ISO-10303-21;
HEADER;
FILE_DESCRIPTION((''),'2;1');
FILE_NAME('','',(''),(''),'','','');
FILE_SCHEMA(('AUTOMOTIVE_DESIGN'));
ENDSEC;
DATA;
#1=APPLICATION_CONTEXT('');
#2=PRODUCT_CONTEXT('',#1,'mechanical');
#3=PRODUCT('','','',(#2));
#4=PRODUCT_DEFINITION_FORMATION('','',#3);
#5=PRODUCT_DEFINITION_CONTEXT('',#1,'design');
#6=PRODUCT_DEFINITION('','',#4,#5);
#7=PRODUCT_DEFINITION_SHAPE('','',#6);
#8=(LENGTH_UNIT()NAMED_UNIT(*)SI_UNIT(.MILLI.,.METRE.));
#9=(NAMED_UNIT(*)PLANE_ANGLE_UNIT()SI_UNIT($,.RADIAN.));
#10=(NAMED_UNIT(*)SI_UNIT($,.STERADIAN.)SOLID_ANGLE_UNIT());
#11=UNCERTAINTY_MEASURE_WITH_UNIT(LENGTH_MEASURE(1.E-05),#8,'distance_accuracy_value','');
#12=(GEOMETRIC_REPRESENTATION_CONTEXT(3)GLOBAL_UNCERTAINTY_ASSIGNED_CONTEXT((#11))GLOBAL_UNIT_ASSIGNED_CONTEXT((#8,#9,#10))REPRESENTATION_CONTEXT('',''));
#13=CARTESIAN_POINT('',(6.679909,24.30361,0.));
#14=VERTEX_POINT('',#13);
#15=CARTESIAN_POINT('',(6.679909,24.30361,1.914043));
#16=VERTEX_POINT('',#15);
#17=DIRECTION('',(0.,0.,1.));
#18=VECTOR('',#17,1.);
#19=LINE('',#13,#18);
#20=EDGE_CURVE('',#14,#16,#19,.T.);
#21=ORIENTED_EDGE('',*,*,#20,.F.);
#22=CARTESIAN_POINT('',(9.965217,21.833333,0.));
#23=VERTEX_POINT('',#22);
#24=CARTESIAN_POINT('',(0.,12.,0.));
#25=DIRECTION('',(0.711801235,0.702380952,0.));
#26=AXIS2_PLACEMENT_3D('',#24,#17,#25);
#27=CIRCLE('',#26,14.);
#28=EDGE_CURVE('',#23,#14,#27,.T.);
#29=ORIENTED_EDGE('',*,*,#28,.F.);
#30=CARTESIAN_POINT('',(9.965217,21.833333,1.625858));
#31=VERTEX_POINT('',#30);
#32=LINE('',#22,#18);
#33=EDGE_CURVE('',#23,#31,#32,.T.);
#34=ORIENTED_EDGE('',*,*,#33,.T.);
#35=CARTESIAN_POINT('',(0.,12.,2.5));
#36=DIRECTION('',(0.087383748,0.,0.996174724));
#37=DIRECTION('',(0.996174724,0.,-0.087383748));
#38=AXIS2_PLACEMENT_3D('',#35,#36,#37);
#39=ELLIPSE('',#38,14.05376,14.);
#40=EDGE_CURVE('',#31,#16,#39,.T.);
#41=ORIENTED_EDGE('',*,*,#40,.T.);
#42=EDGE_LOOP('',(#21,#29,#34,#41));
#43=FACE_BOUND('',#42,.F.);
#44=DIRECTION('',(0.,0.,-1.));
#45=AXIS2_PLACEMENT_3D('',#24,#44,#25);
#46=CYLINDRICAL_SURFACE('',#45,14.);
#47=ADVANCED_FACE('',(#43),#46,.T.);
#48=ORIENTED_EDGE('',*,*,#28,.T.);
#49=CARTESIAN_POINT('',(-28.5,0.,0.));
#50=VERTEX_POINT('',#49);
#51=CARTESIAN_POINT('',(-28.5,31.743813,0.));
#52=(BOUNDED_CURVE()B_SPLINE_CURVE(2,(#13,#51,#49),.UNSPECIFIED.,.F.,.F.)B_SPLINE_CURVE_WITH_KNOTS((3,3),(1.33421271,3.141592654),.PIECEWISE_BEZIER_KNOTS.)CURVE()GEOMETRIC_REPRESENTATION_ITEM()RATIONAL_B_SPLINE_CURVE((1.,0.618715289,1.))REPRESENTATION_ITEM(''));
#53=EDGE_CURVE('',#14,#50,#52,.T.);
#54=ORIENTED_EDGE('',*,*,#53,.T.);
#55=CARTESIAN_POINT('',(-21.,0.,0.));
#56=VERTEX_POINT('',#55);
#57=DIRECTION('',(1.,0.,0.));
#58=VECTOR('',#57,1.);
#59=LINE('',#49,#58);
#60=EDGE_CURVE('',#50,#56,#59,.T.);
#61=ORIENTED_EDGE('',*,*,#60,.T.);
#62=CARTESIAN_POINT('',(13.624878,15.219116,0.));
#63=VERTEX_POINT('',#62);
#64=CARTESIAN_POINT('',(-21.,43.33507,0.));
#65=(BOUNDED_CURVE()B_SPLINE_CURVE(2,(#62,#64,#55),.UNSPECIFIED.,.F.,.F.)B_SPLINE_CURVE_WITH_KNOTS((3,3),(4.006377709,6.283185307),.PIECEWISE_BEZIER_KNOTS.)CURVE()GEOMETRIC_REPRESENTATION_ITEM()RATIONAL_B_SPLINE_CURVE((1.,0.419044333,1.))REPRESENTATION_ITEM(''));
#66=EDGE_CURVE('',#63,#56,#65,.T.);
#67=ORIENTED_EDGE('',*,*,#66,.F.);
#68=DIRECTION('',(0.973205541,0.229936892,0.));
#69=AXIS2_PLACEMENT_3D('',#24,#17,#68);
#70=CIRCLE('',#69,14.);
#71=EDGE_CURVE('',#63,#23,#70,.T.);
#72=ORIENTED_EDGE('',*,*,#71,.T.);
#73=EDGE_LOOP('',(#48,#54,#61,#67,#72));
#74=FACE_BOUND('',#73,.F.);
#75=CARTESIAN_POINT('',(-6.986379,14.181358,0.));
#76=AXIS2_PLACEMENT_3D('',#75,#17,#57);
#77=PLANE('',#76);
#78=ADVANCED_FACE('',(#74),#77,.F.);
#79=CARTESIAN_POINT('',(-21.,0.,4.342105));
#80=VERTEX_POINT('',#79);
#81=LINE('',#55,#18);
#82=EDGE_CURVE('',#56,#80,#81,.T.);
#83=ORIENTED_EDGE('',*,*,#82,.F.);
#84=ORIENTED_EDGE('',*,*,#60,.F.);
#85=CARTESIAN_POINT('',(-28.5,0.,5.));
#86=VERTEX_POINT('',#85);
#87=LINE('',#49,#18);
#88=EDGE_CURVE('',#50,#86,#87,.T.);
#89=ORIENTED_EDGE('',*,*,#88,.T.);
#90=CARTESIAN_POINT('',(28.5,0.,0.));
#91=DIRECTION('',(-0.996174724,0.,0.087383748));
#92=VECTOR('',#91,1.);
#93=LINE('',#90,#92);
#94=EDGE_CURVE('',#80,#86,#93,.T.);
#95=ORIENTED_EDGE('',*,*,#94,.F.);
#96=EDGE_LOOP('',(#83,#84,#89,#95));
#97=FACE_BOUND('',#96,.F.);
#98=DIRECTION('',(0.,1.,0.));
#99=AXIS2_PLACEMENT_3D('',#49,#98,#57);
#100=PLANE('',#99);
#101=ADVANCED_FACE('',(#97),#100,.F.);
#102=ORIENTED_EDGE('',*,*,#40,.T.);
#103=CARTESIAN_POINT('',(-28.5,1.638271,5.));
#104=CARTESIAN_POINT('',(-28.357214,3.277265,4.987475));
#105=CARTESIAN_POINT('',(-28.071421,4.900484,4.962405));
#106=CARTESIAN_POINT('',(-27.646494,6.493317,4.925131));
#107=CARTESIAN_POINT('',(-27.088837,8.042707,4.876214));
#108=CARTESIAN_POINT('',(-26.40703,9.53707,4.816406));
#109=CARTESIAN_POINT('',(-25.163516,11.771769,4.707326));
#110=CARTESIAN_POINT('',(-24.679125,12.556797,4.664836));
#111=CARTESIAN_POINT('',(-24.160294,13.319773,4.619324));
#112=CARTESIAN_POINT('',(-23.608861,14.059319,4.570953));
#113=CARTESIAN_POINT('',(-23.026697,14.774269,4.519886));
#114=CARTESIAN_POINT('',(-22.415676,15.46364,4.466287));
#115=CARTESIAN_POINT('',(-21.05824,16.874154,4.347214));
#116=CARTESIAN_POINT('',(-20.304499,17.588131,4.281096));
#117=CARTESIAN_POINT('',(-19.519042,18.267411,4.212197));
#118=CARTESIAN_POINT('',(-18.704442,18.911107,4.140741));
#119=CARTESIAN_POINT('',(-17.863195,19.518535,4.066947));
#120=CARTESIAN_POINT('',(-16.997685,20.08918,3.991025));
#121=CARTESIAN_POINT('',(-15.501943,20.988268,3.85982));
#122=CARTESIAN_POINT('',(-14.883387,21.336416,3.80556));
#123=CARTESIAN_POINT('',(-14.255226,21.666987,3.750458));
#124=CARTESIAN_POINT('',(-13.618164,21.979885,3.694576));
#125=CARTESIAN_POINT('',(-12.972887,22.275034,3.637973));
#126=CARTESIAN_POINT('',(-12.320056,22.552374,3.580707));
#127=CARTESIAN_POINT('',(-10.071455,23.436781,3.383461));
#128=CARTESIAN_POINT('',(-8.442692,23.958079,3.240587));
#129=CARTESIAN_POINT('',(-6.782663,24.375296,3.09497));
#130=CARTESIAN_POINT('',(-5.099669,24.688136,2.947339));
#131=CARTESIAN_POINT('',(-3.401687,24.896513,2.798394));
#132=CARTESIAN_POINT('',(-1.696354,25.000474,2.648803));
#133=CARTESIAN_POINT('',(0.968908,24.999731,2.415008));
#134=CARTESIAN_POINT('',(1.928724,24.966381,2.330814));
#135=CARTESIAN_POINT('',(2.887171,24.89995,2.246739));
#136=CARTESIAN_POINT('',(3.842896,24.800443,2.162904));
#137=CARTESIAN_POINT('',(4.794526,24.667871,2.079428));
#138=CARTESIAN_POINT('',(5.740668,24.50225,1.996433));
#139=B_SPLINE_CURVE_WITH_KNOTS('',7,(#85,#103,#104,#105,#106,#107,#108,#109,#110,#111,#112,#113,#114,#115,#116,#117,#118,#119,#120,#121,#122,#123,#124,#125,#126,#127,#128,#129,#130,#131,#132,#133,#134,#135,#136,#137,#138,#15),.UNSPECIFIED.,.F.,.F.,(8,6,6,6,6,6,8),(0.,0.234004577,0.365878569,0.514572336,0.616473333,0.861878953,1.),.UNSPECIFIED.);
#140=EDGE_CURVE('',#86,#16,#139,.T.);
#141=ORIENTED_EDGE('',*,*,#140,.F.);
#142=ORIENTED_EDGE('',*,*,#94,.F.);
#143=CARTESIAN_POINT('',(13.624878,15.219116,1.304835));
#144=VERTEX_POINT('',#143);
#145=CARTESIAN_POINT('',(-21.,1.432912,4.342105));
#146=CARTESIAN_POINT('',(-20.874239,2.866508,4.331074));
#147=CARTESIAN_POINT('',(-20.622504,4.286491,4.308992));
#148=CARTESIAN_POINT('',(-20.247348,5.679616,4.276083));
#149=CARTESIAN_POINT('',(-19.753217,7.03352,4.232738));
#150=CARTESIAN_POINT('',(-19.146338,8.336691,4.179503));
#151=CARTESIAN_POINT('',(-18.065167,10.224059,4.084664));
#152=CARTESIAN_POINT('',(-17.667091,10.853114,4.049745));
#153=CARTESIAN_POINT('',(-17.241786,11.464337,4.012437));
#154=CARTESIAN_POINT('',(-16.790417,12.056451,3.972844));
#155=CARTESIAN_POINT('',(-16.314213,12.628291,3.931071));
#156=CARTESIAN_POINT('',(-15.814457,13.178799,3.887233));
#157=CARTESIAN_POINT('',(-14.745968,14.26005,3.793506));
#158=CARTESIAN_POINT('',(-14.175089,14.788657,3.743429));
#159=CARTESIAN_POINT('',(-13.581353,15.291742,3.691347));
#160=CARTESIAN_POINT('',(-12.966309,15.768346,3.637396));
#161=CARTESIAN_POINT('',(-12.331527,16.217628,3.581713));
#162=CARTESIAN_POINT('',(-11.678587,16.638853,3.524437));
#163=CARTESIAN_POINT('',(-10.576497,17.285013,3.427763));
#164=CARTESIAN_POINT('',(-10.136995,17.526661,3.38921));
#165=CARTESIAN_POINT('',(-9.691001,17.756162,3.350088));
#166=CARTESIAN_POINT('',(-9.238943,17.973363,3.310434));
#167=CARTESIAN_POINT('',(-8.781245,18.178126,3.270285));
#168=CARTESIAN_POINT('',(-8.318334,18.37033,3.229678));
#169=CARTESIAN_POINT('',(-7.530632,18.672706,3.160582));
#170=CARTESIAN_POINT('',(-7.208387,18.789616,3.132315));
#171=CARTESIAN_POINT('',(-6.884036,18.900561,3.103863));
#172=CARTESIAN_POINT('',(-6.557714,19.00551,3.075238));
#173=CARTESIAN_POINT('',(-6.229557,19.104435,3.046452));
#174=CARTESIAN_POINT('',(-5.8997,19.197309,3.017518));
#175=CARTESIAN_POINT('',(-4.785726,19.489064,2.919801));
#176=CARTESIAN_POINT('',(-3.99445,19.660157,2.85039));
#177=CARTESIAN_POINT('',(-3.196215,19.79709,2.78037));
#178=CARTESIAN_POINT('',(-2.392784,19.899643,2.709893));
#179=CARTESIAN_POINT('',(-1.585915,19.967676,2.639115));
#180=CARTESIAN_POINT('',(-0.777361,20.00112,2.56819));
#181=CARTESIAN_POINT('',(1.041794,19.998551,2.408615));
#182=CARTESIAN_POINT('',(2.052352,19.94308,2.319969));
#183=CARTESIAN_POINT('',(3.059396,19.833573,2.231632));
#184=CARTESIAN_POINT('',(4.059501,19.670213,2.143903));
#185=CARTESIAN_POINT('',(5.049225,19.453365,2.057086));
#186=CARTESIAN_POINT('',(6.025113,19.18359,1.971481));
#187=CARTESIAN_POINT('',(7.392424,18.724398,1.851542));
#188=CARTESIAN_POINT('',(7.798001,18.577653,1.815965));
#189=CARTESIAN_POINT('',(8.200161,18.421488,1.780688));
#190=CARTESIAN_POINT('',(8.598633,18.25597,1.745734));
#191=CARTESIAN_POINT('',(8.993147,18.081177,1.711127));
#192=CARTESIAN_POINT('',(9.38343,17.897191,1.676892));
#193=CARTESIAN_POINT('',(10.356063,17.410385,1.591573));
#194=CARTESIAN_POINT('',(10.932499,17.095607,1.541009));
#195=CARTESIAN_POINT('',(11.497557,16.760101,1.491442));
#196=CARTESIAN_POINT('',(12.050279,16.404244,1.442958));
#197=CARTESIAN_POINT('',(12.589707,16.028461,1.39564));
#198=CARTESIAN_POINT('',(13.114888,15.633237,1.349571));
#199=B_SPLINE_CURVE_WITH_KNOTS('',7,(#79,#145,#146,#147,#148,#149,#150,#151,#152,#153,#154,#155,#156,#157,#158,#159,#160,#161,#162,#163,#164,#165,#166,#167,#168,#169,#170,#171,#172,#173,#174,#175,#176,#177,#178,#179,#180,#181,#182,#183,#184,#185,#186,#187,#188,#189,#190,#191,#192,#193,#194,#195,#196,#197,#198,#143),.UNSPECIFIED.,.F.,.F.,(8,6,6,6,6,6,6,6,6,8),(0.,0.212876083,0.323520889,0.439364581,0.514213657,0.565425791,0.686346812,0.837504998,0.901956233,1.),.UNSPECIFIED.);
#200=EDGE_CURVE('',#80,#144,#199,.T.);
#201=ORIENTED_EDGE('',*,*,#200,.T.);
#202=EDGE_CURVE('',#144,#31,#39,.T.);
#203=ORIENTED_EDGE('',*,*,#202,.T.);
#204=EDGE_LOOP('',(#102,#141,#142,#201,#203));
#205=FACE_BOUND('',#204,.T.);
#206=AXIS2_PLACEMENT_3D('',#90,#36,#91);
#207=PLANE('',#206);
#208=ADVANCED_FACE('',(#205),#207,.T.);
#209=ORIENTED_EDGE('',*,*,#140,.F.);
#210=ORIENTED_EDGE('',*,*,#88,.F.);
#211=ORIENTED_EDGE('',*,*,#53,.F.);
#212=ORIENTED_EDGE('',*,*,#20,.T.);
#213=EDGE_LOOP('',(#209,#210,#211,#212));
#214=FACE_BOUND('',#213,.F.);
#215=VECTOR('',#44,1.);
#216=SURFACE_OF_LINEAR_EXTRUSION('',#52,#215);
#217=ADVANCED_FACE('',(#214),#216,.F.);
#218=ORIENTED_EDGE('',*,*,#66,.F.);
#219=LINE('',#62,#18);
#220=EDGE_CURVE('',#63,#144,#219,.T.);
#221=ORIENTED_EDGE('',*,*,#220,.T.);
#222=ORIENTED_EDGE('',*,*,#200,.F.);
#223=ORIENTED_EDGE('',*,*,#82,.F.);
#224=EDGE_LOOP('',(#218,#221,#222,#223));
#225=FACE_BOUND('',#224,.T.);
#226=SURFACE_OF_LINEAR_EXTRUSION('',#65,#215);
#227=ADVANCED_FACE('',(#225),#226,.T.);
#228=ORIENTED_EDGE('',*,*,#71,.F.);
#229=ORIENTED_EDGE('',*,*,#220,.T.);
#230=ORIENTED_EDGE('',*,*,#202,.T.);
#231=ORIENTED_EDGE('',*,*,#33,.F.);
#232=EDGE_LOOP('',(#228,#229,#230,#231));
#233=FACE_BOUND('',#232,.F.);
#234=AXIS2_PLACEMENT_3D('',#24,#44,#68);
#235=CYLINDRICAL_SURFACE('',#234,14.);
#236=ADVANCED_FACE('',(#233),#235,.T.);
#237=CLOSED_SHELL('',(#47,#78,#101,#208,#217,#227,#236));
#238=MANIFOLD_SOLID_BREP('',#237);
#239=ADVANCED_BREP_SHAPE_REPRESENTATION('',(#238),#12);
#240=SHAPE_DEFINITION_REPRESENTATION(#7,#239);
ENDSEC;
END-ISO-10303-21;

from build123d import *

# Parameters (mm, degrees)
F2_DEPTH = 5
F3_DEPTH = 40


with BuildPart() as f2:
    # F0 (on Top) → F2 (new body)
    with BuildSketch(Plane.XY):
        with BuildLine():
            ThreePointArc((13.6248775801, 15.2191164826), (12.249902452, 18.7778971604), (9.9652172859, 21.8333333333))
            add(Edge.make_bspline(
                [(9.9652172859, 21.8333333333), (-24, 37.3358113677), (-24, 0)],
                knots=[4.2842072308, 4.2842072308, 4.2842072308, 6.2831853072, 6.2831853072, 6.2831853072], degree=2, weights=[1, 0.5407321948, 1]))
            Line((-24, 0), (-21, 0))
            add(Edge.make_bspline(
                [(13.6248775801, 15.2191164826), (-21, 43.335069974), (-21, 0)],
                knots=[4.0063777086, 4.0063777086, 4.0063777086, 6.2831853072, 6.2831853072, 6.2831853072], degree=2, weights=[1, 0.4190443328, 1]))
        make_face()
        with BuildLine():
            ThreePointArc((9.9652172859, 21.8333333333), (8.4137165474, 23.1896994535), (6.679909305, 24.3036097011))
            add(Edge.make_bspline(
                [(6.679909305, 24.3036097011), (-28.5, 31.7438128999), (-28.5, 0)],
                knots=[1.3342127103, 1.3342127103, 1.3342127103, 3.1415926536, 3.1415926536, 3.1415926536], degree=2, weights=[1, 0.6187152889, 1]))
            Line((-28.5, 0), (-24, 0))
            add(Edge.make_bspline(
                [(9.9652172859, 21.8333333333), (-24, 37.3358113677), (-24, 0)],
                knots=[4.2842072308, 4.2842072308, 4.2842072308, 6.2831853072, 6.2831853072, 6.2831853072], degree=2, weights=[1, 0.5407321948, 1]))
        make_face()
    extrude(amount=F2_DEPTH)

    # F1 (on Front) → F3 (intersect)
    with BuildSketch(Plane.XZ):
        Polygon((-28.5, 0), (28.5, 0), (-28.5, 5), align=None)
    extrude(amount=-F3_DEPTH, mode=Mode.INTERSECT)


solid = f2.part
